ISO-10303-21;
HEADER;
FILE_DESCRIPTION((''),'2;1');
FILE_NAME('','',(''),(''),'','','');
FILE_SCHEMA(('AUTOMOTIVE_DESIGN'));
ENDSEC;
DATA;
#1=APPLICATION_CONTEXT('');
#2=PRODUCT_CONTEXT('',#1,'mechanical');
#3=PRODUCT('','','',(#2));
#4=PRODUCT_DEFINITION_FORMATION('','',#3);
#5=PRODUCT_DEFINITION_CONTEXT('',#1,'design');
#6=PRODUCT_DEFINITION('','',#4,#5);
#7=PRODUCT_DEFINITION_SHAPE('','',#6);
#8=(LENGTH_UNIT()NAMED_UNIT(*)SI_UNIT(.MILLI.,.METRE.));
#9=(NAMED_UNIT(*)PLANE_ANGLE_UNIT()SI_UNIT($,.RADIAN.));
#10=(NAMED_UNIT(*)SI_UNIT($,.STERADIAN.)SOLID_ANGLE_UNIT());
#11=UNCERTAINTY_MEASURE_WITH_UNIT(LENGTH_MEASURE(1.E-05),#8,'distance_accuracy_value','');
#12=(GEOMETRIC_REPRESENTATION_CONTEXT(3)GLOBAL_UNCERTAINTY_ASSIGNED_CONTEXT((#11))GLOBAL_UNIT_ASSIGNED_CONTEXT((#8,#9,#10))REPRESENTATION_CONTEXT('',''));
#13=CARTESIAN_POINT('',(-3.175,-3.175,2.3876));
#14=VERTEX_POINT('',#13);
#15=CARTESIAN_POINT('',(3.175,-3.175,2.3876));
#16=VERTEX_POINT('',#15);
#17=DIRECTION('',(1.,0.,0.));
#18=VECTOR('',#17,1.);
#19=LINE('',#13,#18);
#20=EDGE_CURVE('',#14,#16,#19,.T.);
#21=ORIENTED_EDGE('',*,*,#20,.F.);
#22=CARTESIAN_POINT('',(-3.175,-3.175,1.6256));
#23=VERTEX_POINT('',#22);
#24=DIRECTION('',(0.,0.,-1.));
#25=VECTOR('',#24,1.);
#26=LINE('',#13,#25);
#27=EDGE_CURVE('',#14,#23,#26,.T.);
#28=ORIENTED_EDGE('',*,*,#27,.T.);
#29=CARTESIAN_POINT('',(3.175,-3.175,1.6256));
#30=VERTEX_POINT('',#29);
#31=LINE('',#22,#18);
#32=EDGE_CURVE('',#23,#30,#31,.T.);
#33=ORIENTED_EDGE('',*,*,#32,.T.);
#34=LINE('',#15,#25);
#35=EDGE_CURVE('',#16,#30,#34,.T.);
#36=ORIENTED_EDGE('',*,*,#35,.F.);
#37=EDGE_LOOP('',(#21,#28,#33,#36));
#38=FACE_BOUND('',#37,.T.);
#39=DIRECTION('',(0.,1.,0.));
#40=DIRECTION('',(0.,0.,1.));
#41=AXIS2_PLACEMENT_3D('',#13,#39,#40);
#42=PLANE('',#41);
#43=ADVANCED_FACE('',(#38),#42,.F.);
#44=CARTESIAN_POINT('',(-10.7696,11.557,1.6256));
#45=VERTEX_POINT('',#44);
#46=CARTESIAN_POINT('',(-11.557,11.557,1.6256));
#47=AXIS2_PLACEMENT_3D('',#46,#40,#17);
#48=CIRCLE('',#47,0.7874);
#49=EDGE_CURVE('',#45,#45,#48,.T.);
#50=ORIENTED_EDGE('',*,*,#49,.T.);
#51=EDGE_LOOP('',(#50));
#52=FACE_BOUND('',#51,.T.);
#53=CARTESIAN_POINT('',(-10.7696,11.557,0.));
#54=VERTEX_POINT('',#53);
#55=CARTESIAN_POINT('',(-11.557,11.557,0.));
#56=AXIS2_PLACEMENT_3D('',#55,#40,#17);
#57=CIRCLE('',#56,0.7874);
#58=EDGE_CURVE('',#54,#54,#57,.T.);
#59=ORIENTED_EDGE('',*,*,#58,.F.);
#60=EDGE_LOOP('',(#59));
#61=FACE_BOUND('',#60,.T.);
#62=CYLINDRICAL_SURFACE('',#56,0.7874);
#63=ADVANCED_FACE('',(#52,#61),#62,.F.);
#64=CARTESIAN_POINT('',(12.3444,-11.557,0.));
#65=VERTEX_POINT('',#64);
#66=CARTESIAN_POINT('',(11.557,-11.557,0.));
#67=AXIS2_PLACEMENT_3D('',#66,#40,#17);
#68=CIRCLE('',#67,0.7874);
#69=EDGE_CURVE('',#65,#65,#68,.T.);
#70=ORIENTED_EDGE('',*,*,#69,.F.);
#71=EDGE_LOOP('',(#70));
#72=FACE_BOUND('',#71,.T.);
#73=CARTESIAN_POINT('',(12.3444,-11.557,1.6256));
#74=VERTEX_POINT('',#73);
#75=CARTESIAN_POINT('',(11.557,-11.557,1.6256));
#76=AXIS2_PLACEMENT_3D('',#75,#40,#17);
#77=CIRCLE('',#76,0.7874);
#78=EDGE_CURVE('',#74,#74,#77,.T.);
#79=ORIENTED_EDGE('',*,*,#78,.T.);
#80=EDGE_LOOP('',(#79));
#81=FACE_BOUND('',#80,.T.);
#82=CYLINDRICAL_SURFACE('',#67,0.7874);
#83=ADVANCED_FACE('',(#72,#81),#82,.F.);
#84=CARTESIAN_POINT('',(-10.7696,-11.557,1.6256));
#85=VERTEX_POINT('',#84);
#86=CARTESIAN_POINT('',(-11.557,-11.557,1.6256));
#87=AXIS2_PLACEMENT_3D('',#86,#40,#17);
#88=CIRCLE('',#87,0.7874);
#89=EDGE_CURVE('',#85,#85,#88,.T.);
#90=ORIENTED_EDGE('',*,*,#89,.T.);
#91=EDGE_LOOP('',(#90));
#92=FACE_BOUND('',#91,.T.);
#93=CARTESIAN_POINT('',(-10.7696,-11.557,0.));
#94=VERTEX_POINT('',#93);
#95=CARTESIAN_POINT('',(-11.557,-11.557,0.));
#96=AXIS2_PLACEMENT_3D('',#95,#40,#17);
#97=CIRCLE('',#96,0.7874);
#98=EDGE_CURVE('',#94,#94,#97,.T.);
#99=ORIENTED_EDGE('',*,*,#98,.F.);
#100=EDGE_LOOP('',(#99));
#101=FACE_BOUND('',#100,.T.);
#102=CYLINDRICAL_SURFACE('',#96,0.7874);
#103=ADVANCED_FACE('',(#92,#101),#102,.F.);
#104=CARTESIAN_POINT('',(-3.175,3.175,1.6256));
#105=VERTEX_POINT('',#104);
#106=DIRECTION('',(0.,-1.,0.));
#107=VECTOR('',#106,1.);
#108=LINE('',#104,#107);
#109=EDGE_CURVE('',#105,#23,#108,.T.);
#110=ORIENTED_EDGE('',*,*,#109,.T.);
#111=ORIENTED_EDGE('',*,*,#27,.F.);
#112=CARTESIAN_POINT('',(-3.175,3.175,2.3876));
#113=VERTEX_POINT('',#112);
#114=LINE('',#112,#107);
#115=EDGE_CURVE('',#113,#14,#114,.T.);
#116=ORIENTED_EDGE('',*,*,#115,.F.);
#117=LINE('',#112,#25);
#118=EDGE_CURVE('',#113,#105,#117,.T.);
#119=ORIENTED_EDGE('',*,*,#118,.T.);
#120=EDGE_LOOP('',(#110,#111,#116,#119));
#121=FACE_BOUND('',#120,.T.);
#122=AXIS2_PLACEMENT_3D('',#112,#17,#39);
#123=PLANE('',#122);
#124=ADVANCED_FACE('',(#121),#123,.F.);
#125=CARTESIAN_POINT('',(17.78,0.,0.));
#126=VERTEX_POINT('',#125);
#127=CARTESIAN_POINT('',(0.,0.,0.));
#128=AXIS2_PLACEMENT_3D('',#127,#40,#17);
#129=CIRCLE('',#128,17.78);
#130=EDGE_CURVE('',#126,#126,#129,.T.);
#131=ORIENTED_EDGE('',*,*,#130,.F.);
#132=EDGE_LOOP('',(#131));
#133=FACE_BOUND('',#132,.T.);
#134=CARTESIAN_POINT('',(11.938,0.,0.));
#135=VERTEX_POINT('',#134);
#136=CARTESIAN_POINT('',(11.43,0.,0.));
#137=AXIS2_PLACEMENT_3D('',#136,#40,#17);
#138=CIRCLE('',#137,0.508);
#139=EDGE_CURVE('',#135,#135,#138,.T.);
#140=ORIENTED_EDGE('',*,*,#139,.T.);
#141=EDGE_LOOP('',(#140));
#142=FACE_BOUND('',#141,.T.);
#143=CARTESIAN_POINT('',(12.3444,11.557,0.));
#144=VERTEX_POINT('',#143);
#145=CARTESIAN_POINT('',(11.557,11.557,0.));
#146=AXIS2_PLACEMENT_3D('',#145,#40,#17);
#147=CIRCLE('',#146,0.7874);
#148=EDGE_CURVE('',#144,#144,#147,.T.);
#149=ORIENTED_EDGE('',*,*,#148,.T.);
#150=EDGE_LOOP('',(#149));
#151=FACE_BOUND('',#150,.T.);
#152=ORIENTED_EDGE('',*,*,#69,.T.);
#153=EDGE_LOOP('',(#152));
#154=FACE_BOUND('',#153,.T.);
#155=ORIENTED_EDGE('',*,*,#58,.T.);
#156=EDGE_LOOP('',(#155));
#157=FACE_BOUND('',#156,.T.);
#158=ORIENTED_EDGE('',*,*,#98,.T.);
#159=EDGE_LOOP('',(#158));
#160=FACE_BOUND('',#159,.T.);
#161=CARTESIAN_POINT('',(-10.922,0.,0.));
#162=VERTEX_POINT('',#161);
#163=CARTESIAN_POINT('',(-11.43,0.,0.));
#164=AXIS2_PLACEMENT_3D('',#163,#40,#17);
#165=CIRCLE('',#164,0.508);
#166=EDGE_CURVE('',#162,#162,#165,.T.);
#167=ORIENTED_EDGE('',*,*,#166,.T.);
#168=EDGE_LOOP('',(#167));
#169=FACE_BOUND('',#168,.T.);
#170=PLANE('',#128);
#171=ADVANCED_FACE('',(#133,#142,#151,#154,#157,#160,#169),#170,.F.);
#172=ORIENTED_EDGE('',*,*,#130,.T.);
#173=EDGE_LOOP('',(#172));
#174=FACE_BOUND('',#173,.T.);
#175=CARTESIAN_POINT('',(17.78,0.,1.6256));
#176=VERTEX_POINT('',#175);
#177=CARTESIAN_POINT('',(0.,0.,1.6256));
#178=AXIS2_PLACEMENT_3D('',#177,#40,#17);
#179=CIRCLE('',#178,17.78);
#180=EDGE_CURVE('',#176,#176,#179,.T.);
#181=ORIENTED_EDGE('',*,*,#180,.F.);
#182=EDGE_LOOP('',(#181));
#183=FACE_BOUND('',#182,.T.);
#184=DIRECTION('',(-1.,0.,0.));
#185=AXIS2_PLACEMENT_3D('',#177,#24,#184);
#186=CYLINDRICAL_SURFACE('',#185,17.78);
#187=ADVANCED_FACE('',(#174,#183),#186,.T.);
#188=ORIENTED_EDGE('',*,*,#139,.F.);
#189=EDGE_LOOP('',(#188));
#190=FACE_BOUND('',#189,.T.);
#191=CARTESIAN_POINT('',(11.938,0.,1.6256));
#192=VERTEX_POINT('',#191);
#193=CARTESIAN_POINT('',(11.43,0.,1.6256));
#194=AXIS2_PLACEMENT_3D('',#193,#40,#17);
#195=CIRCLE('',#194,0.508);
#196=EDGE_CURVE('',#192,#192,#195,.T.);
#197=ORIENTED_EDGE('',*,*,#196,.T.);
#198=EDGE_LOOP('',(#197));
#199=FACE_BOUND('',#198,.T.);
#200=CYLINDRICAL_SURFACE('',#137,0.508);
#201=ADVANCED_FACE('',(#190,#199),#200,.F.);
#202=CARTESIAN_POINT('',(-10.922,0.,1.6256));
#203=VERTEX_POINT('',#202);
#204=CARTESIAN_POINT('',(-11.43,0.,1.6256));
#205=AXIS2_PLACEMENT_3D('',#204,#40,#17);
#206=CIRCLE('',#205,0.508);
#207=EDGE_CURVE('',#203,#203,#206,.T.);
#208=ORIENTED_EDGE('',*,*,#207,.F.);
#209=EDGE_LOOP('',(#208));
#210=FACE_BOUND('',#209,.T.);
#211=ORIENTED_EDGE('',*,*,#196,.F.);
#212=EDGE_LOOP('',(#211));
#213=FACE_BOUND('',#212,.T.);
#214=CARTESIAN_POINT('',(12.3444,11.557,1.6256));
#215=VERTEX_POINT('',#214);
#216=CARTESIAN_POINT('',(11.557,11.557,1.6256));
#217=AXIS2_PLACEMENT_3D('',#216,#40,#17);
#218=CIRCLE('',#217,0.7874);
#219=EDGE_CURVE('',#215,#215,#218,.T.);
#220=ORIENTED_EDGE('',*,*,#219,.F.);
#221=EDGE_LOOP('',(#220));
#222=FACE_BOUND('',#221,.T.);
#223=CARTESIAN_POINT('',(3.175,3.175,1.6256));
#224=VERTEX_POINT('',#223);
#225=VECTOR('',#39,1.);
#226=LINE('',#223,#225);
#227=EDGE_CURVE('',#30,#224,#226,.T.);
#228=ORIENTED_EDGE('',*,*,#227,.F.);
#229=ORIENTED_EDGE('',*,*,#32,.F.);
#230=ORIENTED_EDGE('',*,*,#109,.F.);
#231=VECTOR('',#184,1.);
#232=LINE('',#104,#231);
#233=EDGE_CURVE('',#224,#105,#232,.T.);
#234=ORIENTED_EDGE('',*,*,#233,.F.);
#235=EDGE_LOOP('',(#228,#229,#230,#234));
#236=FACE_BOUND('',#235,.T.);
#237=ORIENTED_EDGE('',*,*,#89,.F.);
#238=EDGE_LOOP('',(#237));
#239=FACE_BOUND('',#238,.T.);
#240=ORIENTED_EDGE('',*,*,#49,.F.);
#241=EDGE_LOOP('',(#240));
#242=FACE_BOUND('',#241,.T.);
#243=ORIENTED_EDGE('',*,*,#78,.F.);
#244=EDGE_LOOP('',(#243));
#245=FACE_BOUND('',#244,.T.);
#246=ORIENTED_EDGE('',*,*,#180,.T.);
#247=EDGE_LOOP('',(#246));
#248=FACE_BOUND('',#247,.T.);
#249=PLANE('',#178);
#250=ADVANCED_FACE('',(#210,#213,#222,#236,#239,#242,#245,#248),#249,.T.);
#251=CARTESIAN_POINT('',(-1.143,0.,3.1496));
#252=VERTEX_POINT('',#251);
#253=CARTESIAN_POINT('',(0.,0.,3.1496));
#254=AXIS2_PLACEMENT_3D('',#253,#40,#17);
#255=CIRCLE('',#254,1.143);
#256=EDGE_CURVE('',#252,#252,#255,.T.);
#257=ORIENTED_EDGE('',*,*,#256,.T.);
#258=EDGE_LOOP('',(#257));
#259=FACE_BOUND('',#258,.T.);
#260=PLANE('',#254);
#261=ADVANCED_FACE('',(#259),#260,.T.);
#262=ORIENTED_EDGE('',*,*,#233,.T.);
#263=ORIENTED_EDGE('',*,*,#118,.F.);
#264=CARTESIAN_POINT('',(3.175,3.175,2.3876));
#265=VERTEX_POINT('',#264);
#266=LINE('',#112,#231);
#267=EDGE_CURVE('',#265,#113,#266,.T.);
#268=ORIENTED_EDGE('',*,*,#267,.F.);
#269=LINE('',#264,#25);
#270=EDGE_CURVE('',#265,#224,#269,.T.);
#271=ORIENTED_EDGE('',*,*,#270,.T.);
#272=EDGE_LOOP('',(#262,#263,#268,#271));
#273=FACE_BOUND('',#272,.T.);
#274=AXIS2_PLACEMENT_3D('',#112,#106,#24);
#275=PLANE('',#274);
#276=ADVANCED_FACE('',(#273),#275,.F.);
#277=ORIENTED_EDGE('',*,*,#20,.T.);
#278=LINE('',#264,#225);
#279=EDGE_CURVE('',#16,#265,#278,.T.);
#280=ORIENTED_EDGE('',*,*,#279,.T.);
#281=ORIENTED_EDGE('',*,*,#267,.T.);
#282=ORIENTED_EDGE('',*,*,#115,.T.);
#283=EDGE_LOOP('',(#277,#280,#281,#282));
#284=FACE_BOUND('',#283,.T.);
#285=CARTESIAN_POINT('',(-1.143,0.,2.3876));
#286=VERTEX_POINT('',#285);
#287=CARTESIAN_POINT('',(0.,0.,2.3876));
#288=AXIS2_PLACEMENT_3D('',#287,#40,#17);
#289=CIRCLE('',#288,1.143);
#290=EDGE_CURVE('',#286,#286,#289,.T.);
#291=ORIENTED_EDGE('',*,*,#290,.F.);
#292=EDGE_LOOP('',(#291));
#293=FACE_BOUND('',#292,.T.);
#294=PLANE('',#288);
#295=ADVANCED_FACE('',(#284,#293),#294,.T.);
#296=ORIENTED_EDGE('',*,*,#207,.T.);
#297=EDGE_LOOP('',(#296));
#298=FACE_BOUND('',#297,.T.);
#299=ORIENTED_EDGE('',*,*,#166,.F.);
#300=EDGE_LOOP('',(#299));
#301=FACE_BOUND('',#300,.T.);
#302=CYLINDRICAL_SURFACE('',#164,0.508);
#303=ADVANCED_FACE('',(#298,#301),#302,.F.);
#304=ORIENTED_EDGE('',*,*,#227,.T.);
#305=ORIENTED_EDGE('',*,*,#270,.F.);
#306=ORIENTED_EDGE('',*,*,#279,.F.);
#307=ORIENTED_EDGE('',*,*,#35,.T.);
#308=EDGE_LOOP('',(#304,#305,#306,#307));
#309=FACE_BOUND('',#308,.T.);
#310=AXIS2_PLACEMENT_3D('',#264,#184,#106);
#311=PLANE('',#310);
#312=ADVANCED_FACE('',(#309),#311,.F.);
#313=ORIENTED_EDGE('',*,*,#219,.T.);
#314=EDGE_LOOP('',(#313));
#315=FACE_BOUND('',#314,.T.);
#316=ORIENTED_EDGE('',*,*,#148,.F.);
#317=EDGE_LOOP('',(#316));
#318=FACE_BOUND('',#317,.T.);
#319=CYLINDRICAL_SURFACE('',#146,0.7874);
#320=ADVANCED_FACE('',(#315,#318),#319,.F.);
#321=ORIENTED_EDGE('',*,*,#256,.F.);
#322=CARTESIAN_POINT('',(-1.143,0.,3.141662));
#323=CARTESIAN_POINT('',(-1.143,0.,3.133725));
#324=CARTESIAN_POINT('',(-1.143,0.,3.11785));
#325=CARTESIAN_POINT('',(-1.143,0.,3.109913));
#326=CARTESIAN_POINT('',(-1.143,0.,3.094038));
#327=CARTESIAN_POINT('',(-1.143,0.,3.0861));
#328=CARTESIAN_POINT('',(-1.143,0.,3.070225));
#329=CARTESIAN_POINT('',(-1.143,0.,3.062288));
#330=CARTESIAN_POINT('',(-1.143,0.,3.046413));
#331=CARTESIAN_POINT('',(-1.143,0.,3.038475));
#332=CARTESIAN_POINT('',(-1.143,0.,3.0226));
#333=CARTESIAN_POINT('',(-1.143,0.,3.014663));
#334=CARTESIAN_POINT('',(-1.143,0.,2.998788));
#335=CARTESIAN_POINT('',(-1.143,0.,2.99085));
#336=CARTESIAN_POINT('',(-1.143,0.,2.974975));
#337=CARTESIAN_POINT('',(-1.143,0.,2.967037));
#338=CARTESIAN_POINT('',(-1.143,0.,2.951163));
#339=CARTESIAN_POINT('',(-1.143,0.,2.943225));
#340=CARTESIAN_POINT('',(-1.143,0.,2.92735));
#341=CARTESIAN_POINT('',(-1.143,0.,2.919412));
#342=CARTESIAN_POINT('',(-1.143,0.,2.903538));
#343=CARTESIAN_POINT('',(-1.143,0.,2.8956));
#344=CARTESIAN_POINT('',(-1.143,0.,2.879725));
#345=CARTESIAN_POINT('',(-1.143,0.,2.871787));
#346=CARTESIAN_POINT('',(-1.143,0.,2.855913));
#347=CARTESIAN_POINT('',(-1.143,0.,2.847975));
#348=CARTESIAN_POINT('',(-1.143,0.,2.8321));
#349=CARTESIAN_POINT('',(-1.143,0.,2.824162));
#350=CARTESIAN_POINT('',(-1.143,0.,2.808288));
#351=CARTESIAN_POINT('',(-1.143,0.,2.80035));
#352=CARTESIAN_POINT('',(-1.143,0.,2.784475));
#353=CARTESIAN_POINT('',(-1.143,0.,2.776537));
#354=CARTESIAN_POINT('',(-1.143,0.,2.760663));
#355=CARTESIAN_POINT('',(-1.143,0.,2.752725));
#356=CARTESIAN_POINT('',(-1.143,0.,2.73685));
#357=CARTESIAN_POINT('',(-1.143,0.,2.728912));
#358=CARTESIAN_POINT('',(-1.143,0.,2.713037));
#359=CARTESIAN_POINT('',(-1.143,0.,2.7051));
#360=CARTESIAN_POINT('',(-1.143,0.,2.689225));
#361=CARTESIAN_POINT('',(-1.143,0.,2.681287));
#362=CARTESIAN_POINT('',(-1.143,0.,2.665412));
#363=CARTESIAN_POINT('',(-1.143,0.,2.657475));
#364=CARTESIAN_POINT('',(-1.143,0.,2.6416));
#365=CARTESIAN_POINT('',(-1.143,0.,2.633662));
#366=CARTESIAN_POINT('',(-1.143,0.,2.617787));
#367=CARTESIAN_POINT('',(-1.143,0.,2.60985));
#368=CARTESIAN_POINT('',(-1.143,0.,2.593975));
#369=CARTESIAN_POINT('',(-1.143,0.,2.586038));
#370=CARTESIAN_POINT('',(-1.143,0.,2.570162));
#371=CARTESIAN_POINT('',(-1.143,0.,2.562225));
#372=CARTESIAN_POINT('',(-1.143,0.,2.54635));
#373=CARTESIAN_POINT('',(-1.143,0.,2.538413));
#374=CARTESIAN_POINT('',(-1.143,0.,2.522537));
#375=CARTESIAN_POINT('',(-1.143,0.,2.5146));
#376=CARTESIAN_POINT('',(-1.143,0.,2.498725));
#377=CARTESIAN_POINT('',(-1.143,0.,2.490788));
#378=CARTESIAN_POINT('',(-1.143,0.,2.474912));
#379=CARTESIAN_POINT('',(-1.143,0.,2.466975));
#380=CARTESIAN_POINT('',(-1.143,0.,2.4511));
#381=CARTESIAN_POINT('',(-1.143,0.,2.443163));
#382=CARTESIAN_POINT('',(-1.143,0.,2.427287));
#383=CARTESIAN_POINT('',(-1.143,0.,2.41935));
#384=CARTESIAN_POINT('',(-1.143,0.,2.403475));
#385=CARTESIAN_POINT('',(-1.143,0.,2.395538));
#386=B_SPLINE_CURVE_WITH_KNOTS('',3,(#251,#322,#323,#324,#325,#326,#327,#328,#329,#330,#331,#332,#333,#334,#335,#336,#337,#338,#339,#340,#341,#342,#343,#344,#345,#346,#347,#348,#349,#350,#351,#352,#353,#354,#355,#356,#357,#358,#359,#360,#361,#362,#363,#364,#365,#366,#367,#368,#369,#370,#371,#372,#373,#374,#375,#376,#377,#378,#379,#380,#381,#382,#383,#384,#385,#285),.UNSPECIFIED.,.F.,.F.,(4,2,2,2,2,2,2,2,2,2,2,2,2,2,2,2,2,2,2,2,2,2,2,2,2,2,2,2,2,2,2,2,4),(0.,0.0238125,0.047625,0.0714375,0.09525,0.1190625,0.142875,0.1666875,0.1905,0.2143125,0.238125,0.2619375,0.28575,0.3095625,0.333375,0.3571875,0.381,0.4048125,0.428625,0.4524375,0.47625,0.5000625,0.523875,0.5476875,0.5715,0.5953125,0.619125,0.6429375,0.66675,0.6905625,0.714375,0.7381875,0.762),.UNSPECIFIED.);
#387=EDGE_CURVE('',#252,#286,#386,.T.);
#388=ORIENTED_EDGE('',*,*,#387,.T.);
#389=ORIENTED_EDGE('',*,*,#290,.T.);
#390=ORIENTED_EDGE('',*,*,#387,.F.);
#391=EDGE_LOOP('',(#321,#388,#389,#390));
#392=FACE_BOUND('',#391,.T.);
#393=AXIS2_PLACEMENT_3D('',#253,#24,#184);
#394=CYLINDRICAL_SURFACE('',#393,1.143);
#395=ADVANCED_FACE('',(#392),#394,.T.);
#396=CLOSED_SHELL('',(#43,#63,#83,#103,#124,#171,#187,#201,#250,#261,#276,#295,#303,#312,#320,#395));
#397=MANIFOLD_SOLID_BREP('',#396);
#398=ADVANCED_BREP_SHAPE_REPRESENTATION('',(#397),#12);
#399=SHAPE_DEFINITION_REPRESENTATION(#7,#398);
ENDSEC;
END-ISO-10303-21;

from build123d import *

# Parameters (mm, degrees)
SKETCH1_R           = 17.78
BOSS_EXTRUDE1_DEPTH = 1.6256
SKETCH2_R           = 0.508
CUT_EXTRUDE1_DEPTH  = 26.197209674
SKETCH3_W           = 6.35
SKETCH3_H           = 6.35
BOSS_EXTRUDE2_DEPTH = 0.762
SKETCH4_R           = 1.143
BOSS_EXTRUDE3_DEPTH = 0.762
SKETCH5_R           = 0.7874
CUT_EXTRUDE2_DEPTH  = 26.197209674


with BuildPart() as part:
    # Sketch1 → Boss-Extrude1 (new body)
    with BuildSketch(Plane.XY):
        Circle(SKETCH1_R)
    extrude(amount=BOSS_EXTRUDE1_DEPTH)

    # Sketch2 → Cut-Extrude1 (cut, through all)
    with BuildSketch(Plane.XY.offset(1.6256)):
        with Locations((-11.43, 0)):
            Circle(SKETCH2_R)
        with Locations((11.43, 0)):
            Circle(SKETCH2_R)
    extrude(amount=-CUT_EXTRUDE1_DEPTH, mode=Mode.SUBTRACT)

    # Sketch3 → Boss-Extrude2 (add)
    with BuildSketch(Plane.XY.offset(1.6256)):
        Rectangle(SKETCH3_W, SKETCH3_H)
    extrude(amount=BOSS_EXTRUDE2_DEPTH)

    # Sketch4 → Boss-Extrude3 (add)
    with BuildSketch(Plane.XY.offset(2.3876)):
        with Locations(Location((0, 0, 0), (0, 0, 180))):
            Circle(SKETCH4_R)
    extrude(amount=BOSS_EXTRUDE3_DEPTH)

    # Sketch5 → Cut-Extrude2 (cut, through all)
    with BuildSketch(Plane.XY.offset(1.6256)):
        with Locations((-11.557, 11.557)):
            Circle(SKETCH5_R)
        with Locations((11.557, 11.557)):
            Circle(SKETCH5_R)
        with Locations((11.557, -11.557)):
            Circle(SKETCH5_R)
        with Locations((-11.557, -11.557)):
            Circle(SKETCH5_R)
    extrude(amount=-CUT_EXTRUDE2_DEPTH, mode=Mode.SUBTRACT)


solid = part.part
